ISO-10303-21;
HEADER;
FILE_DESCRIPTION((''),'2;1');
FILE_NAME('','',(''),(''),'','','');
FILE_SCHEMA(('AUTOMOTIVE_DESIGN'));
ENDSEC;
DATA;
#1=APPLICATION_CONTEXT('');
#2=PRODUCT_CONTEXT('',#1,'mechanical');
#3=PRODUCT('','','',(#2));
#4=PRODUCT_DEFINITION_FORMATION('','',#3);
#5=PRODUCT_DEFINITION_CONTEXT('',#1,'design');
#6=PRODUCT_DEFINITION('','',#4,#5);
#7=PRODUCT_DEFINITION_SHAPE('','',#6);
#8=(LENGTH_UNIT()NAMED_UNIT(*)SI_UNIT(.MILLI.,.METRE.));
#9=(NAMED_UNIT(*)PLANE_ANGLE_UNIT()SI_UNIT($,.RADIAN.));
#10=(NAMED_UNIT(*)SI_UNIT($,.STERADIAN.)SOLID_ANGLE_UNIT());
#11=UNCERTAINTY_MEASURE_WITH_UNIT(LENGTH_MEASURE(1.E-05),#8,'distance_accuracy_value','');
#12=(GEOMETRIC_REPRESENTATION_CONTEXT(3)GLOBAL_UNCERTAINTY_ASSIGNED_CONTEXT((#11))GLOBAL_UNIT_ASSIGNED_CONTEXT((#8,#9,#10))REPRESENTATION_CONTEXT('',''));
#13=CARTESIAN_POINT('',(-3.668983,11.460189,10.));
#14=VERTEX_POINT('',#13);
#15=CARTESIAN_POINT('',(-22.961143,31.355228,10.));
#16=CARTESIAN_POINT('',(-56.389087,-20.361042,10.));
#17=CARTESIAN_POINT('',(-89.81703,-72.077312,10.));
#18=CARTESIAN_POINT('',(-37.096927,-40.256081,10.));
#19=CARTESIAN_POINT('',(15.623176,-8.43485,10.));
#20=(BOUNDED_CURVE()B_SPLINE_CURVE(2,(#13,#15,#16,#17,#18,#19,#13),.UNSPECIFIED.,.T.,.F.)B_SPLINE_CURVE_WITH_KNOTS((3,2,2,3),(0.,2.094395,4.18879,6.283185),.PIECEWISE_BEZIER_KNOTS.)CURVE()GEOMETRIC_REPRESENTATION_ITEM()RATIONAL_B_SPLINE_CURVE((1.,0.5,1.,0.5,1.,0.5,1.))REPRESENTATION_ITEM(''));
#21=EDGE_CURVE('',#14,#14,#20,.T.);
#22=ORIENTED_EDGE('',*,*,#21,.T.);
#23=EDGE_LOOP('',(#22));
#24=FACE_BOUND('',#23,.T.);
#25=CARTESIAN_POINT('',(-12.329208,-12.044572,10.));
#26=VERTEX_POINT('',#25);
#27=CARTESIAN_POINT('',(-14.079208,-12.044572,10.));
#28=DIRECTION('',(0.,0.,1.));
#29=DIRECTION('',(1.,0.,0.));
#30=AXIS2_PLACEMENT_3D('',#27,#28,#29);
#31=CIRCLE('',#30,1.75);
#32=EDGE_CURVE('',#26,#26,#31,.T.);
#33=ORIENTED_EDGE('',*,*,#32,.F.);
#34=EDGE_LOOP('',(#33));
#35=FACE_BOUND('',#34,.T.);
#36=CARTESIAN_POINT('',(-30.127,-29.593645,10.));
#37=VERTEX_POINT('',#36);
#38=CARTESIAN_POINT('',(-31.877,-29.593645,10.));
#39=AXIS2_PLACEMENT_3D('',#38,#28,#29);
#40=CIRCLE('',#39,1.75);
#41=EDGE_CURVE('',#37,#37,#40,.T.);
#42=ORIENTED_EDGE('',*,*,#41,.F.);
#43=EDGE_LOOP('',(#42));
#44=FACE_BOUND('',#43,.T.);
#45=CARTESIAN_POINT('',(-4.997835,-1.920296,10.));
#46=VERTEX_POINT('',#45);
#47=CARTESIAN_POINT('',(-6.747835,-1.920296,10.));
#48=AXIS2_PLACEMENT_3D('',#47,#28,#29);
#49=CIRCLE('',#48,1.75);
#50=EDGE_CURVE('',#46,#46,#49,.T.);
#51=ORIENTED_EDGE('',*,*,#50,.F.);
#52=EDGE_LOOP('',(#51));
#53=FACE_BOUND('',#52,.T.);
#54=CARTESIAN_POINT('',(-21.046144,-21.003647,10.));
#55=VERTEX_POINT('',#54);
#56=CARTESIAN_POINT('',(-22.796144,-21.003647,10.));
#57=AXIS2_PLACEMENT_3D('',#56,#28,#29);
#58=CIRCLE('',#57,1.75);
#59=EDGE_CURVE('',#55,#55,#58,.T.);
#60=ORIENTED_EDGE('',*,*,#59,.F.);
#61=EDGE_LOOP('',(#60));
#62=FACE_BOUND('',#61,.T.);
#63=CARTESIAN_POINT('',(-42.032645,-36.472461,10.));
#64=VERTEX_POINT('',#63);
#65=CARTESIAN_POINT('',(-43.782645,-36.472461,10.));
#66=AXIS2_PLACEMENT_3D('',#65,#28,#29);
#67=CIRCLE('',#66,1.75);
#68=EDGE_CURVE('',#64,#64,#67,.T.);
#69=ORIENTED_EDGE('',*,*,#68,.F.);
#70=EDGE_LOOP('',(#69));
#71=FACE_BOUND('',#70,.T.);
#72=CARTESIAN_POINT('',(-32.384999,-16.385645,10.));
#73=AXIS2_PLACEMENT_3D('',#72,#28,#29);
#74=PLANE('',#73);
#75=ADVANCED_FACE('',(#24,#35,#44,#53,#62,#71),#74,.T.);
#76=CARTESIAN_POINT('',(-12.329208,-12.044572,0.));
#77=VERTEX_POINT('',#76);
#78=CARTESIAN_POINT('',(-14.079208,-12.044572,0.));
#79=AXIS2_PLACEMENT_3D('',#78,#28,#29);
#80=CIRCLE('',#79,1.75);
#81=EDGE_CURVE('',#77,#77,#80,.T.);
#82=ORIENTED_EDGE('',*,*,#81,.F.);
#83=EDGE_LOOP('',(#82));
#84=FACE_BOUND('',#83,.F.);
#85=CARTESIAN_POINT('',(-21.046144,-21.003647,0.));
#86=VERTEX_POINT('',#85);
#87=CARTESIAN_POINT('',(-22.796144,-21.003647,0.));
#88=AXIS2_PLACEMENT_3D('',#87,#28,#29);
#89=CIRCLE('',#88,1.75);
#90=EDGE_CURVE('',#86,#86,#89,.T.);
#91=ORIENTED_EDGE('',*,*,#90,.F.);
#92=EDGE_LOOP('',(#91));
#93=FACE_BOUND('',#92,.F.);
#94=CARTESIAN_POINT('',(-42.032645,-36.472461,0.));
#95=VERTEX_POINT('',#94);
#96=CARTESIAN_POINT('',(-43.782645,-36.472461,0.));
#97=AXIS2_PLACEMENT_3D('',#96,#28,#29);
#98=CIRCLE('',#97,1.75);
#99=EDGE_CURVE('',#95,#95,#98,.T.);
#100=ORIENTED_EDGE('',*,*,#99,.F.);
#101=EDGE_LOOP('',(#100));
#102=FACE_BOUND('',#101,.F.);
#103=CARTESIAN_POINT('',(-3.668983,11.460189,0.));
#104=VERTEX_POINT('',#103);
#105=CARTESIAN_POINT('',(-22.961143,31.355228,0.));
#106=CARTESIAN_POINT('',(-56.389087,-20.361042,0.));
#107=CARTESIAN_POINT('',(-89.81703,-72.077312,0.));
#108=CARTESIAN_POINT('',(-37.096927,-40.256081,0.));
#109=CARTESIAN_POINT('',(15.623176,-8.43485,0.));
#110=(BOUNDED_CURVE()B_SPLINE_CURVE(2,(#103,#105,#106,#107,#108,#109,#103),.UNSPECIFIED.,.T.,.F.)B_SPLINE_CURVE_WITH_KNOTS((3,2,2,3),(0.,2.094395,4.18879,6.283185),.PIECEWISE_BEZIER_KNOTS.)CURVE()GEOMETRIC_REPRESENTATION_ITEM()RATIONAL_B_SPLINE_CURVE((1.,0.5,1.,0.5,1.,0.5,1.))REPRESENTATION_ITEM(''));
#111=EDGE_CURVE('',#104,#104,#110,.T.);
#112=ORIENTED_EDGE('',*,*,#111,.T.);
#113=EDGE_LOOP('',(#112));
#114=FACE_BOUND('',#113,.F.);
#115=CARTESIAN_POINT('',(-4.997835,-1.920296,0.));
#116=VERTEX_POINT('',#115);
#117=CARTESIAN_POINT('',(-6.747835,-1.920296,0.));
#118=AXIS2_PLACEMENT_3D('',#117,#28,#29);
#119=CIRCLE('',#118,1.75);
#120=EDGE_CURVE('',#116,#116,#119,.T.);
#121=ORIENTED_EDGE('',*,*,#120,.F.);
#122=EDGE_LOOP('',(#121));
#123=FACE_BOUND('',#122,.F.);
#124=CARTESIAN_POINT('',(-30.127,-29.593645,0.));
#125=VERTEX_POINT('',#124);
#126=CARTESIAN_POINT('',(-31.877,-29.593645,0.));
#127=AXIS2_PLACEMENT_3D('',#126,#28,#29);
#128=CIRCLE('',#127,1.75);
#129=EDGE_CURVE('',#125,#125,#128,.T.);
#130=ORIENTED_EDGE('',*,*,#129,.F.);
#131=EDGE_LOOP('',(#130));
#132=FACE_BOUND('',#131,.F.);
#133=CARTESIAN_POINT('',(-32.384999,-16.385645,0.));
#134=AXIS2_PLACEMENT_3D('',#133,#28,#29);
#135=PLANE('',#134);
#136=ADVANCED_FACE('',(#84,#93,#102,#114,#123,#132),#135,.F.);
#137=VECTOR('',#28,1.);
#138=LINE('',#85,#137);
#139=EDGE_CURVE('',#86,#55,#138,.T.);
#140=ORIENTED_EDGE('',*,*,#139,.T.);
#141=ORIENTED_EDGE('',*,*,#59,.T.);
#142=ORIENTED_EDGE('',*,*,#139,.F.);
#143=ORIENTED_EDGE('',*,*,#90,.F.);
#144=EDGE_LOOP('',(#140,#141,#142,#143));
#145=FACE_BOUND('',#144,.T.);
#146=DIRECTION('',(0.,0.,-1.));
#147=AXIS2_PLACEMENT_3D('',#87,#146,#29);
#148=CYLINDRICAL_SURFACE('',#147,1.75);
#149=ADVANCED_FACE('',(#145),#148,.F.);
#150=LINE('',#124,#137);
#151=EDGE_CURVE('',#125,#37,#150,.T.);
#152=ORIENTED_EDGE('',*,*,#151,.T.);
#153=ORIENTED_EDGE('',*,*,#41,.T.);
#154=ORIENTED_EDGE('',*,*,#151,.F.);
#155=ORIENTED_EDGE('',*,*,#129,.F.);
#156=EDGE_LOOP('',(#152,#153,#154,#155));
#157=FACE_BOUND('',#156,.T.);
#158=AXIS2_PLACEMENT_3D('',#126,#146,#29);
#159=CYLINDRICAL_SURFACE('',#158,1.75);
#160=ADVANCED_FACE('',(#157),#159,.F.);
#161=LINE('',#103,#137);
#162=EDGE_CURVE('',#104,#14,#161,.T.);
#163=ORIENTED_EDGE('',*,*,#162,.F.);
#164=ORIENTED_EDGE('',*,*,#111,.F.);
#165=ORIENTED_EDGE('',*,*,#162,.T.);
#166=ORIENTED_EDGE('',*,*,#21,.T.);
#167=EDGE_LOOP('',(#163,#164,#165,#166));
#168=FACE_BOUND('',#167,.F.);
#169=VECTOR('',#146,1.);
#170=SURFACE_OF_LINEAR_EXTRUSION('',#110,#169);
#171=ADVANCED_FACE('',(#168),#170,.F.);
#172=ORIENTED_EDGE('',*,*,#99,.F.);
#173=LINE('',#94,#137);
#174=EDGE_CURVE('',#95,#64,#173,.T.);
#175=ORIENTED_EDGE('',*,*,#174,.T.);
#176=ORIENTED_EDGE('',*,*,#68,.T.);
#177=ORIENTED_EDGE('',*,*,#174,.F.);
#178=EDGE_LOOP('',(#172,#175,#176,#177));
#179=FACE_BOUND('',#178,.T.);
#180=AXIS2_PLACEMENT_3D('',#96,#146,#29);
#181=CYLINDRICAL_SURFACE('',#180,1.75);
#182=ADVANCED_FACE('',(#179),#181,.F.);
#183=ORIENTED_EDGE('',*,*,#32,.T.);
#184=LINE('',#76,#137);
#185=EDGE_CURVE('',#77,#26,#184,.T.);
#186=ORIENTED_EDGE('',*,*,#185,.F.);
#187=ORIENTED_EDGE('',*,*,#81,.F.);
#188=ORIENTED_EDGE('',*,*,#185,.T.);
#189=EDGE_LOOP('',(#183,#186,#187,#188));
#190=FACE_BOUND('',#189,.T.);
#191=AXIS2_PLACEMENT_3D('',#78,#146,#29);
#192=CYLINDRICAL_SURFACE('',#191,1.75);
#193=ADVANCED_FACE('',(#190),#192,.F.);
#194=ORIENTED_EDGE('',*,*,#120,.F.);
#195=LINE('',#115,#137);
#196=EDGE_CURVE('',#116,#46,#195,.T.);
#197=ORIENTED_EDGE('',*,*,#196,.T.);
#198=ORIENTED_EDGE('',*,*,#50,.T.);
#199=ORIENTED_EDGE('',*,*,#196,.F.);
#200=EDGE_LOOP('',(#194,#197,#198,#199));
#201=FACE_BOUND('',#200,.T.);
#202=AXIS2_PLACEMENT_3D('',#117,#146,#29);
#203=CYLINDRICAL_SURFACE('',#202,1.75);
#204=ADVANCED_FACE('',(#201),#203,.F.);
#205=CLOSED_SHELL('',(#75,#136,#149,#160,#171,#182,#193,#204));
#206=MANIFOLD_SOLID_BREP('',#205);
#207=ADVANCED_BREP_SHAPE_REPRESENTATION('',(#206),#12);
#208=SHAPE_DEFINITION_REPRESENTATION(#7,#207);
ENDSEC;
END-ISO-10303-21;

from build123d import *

# Parameters (mm, degrees)
F0_R     = 1.75
F1_DEPTH = 10


with BuildPart() as f1:
    # F0 (on Top) → F1 (new body)
    with BuildSketch(Plane.XY):
        with BuildLine():
            add(Edge.make_bspline(
                [(-3.668983, 11.460189), (-22.961143, 31.355228), (-56.389087, -20.361042), (-89.81703, -72.077312), (-37.096927, -40.256081), (15.623176, -8.43485), (-3.668983, 11.460189)],
                knots=[0, 0, 0, 2.094395, 2.094395, 4.18879, 4.18879, 6.283185, 6.283185, 6.283185], degree=2, weights=[1, 0.5, 1, 0.5, 1, 0.5, 1]))
        make_face()
        with Locations((-43.782645, -36.472461)):
            Circle(F0_R, mode=Mode.SUBTRACT)
        with Locations((-31.877, -29.593645)):
            Circle(F0_R, mode=Mode.SUBTRACT)
        with Locations((-22.796144, -21.003647)):
            Circle(F0_R, mode=Mode.SUBTRACT)
        with Locations((-14.079208, -12.044572)):
            Circle(F0_R, mode=Mode.SUBTRACT)
        with Locations((-6.747835, -1.920296)):
            Circle(F0_R, mode=Mode.SUBTRACT)
    extrude(amount=F1_DEPTH)


solid = f1.part
